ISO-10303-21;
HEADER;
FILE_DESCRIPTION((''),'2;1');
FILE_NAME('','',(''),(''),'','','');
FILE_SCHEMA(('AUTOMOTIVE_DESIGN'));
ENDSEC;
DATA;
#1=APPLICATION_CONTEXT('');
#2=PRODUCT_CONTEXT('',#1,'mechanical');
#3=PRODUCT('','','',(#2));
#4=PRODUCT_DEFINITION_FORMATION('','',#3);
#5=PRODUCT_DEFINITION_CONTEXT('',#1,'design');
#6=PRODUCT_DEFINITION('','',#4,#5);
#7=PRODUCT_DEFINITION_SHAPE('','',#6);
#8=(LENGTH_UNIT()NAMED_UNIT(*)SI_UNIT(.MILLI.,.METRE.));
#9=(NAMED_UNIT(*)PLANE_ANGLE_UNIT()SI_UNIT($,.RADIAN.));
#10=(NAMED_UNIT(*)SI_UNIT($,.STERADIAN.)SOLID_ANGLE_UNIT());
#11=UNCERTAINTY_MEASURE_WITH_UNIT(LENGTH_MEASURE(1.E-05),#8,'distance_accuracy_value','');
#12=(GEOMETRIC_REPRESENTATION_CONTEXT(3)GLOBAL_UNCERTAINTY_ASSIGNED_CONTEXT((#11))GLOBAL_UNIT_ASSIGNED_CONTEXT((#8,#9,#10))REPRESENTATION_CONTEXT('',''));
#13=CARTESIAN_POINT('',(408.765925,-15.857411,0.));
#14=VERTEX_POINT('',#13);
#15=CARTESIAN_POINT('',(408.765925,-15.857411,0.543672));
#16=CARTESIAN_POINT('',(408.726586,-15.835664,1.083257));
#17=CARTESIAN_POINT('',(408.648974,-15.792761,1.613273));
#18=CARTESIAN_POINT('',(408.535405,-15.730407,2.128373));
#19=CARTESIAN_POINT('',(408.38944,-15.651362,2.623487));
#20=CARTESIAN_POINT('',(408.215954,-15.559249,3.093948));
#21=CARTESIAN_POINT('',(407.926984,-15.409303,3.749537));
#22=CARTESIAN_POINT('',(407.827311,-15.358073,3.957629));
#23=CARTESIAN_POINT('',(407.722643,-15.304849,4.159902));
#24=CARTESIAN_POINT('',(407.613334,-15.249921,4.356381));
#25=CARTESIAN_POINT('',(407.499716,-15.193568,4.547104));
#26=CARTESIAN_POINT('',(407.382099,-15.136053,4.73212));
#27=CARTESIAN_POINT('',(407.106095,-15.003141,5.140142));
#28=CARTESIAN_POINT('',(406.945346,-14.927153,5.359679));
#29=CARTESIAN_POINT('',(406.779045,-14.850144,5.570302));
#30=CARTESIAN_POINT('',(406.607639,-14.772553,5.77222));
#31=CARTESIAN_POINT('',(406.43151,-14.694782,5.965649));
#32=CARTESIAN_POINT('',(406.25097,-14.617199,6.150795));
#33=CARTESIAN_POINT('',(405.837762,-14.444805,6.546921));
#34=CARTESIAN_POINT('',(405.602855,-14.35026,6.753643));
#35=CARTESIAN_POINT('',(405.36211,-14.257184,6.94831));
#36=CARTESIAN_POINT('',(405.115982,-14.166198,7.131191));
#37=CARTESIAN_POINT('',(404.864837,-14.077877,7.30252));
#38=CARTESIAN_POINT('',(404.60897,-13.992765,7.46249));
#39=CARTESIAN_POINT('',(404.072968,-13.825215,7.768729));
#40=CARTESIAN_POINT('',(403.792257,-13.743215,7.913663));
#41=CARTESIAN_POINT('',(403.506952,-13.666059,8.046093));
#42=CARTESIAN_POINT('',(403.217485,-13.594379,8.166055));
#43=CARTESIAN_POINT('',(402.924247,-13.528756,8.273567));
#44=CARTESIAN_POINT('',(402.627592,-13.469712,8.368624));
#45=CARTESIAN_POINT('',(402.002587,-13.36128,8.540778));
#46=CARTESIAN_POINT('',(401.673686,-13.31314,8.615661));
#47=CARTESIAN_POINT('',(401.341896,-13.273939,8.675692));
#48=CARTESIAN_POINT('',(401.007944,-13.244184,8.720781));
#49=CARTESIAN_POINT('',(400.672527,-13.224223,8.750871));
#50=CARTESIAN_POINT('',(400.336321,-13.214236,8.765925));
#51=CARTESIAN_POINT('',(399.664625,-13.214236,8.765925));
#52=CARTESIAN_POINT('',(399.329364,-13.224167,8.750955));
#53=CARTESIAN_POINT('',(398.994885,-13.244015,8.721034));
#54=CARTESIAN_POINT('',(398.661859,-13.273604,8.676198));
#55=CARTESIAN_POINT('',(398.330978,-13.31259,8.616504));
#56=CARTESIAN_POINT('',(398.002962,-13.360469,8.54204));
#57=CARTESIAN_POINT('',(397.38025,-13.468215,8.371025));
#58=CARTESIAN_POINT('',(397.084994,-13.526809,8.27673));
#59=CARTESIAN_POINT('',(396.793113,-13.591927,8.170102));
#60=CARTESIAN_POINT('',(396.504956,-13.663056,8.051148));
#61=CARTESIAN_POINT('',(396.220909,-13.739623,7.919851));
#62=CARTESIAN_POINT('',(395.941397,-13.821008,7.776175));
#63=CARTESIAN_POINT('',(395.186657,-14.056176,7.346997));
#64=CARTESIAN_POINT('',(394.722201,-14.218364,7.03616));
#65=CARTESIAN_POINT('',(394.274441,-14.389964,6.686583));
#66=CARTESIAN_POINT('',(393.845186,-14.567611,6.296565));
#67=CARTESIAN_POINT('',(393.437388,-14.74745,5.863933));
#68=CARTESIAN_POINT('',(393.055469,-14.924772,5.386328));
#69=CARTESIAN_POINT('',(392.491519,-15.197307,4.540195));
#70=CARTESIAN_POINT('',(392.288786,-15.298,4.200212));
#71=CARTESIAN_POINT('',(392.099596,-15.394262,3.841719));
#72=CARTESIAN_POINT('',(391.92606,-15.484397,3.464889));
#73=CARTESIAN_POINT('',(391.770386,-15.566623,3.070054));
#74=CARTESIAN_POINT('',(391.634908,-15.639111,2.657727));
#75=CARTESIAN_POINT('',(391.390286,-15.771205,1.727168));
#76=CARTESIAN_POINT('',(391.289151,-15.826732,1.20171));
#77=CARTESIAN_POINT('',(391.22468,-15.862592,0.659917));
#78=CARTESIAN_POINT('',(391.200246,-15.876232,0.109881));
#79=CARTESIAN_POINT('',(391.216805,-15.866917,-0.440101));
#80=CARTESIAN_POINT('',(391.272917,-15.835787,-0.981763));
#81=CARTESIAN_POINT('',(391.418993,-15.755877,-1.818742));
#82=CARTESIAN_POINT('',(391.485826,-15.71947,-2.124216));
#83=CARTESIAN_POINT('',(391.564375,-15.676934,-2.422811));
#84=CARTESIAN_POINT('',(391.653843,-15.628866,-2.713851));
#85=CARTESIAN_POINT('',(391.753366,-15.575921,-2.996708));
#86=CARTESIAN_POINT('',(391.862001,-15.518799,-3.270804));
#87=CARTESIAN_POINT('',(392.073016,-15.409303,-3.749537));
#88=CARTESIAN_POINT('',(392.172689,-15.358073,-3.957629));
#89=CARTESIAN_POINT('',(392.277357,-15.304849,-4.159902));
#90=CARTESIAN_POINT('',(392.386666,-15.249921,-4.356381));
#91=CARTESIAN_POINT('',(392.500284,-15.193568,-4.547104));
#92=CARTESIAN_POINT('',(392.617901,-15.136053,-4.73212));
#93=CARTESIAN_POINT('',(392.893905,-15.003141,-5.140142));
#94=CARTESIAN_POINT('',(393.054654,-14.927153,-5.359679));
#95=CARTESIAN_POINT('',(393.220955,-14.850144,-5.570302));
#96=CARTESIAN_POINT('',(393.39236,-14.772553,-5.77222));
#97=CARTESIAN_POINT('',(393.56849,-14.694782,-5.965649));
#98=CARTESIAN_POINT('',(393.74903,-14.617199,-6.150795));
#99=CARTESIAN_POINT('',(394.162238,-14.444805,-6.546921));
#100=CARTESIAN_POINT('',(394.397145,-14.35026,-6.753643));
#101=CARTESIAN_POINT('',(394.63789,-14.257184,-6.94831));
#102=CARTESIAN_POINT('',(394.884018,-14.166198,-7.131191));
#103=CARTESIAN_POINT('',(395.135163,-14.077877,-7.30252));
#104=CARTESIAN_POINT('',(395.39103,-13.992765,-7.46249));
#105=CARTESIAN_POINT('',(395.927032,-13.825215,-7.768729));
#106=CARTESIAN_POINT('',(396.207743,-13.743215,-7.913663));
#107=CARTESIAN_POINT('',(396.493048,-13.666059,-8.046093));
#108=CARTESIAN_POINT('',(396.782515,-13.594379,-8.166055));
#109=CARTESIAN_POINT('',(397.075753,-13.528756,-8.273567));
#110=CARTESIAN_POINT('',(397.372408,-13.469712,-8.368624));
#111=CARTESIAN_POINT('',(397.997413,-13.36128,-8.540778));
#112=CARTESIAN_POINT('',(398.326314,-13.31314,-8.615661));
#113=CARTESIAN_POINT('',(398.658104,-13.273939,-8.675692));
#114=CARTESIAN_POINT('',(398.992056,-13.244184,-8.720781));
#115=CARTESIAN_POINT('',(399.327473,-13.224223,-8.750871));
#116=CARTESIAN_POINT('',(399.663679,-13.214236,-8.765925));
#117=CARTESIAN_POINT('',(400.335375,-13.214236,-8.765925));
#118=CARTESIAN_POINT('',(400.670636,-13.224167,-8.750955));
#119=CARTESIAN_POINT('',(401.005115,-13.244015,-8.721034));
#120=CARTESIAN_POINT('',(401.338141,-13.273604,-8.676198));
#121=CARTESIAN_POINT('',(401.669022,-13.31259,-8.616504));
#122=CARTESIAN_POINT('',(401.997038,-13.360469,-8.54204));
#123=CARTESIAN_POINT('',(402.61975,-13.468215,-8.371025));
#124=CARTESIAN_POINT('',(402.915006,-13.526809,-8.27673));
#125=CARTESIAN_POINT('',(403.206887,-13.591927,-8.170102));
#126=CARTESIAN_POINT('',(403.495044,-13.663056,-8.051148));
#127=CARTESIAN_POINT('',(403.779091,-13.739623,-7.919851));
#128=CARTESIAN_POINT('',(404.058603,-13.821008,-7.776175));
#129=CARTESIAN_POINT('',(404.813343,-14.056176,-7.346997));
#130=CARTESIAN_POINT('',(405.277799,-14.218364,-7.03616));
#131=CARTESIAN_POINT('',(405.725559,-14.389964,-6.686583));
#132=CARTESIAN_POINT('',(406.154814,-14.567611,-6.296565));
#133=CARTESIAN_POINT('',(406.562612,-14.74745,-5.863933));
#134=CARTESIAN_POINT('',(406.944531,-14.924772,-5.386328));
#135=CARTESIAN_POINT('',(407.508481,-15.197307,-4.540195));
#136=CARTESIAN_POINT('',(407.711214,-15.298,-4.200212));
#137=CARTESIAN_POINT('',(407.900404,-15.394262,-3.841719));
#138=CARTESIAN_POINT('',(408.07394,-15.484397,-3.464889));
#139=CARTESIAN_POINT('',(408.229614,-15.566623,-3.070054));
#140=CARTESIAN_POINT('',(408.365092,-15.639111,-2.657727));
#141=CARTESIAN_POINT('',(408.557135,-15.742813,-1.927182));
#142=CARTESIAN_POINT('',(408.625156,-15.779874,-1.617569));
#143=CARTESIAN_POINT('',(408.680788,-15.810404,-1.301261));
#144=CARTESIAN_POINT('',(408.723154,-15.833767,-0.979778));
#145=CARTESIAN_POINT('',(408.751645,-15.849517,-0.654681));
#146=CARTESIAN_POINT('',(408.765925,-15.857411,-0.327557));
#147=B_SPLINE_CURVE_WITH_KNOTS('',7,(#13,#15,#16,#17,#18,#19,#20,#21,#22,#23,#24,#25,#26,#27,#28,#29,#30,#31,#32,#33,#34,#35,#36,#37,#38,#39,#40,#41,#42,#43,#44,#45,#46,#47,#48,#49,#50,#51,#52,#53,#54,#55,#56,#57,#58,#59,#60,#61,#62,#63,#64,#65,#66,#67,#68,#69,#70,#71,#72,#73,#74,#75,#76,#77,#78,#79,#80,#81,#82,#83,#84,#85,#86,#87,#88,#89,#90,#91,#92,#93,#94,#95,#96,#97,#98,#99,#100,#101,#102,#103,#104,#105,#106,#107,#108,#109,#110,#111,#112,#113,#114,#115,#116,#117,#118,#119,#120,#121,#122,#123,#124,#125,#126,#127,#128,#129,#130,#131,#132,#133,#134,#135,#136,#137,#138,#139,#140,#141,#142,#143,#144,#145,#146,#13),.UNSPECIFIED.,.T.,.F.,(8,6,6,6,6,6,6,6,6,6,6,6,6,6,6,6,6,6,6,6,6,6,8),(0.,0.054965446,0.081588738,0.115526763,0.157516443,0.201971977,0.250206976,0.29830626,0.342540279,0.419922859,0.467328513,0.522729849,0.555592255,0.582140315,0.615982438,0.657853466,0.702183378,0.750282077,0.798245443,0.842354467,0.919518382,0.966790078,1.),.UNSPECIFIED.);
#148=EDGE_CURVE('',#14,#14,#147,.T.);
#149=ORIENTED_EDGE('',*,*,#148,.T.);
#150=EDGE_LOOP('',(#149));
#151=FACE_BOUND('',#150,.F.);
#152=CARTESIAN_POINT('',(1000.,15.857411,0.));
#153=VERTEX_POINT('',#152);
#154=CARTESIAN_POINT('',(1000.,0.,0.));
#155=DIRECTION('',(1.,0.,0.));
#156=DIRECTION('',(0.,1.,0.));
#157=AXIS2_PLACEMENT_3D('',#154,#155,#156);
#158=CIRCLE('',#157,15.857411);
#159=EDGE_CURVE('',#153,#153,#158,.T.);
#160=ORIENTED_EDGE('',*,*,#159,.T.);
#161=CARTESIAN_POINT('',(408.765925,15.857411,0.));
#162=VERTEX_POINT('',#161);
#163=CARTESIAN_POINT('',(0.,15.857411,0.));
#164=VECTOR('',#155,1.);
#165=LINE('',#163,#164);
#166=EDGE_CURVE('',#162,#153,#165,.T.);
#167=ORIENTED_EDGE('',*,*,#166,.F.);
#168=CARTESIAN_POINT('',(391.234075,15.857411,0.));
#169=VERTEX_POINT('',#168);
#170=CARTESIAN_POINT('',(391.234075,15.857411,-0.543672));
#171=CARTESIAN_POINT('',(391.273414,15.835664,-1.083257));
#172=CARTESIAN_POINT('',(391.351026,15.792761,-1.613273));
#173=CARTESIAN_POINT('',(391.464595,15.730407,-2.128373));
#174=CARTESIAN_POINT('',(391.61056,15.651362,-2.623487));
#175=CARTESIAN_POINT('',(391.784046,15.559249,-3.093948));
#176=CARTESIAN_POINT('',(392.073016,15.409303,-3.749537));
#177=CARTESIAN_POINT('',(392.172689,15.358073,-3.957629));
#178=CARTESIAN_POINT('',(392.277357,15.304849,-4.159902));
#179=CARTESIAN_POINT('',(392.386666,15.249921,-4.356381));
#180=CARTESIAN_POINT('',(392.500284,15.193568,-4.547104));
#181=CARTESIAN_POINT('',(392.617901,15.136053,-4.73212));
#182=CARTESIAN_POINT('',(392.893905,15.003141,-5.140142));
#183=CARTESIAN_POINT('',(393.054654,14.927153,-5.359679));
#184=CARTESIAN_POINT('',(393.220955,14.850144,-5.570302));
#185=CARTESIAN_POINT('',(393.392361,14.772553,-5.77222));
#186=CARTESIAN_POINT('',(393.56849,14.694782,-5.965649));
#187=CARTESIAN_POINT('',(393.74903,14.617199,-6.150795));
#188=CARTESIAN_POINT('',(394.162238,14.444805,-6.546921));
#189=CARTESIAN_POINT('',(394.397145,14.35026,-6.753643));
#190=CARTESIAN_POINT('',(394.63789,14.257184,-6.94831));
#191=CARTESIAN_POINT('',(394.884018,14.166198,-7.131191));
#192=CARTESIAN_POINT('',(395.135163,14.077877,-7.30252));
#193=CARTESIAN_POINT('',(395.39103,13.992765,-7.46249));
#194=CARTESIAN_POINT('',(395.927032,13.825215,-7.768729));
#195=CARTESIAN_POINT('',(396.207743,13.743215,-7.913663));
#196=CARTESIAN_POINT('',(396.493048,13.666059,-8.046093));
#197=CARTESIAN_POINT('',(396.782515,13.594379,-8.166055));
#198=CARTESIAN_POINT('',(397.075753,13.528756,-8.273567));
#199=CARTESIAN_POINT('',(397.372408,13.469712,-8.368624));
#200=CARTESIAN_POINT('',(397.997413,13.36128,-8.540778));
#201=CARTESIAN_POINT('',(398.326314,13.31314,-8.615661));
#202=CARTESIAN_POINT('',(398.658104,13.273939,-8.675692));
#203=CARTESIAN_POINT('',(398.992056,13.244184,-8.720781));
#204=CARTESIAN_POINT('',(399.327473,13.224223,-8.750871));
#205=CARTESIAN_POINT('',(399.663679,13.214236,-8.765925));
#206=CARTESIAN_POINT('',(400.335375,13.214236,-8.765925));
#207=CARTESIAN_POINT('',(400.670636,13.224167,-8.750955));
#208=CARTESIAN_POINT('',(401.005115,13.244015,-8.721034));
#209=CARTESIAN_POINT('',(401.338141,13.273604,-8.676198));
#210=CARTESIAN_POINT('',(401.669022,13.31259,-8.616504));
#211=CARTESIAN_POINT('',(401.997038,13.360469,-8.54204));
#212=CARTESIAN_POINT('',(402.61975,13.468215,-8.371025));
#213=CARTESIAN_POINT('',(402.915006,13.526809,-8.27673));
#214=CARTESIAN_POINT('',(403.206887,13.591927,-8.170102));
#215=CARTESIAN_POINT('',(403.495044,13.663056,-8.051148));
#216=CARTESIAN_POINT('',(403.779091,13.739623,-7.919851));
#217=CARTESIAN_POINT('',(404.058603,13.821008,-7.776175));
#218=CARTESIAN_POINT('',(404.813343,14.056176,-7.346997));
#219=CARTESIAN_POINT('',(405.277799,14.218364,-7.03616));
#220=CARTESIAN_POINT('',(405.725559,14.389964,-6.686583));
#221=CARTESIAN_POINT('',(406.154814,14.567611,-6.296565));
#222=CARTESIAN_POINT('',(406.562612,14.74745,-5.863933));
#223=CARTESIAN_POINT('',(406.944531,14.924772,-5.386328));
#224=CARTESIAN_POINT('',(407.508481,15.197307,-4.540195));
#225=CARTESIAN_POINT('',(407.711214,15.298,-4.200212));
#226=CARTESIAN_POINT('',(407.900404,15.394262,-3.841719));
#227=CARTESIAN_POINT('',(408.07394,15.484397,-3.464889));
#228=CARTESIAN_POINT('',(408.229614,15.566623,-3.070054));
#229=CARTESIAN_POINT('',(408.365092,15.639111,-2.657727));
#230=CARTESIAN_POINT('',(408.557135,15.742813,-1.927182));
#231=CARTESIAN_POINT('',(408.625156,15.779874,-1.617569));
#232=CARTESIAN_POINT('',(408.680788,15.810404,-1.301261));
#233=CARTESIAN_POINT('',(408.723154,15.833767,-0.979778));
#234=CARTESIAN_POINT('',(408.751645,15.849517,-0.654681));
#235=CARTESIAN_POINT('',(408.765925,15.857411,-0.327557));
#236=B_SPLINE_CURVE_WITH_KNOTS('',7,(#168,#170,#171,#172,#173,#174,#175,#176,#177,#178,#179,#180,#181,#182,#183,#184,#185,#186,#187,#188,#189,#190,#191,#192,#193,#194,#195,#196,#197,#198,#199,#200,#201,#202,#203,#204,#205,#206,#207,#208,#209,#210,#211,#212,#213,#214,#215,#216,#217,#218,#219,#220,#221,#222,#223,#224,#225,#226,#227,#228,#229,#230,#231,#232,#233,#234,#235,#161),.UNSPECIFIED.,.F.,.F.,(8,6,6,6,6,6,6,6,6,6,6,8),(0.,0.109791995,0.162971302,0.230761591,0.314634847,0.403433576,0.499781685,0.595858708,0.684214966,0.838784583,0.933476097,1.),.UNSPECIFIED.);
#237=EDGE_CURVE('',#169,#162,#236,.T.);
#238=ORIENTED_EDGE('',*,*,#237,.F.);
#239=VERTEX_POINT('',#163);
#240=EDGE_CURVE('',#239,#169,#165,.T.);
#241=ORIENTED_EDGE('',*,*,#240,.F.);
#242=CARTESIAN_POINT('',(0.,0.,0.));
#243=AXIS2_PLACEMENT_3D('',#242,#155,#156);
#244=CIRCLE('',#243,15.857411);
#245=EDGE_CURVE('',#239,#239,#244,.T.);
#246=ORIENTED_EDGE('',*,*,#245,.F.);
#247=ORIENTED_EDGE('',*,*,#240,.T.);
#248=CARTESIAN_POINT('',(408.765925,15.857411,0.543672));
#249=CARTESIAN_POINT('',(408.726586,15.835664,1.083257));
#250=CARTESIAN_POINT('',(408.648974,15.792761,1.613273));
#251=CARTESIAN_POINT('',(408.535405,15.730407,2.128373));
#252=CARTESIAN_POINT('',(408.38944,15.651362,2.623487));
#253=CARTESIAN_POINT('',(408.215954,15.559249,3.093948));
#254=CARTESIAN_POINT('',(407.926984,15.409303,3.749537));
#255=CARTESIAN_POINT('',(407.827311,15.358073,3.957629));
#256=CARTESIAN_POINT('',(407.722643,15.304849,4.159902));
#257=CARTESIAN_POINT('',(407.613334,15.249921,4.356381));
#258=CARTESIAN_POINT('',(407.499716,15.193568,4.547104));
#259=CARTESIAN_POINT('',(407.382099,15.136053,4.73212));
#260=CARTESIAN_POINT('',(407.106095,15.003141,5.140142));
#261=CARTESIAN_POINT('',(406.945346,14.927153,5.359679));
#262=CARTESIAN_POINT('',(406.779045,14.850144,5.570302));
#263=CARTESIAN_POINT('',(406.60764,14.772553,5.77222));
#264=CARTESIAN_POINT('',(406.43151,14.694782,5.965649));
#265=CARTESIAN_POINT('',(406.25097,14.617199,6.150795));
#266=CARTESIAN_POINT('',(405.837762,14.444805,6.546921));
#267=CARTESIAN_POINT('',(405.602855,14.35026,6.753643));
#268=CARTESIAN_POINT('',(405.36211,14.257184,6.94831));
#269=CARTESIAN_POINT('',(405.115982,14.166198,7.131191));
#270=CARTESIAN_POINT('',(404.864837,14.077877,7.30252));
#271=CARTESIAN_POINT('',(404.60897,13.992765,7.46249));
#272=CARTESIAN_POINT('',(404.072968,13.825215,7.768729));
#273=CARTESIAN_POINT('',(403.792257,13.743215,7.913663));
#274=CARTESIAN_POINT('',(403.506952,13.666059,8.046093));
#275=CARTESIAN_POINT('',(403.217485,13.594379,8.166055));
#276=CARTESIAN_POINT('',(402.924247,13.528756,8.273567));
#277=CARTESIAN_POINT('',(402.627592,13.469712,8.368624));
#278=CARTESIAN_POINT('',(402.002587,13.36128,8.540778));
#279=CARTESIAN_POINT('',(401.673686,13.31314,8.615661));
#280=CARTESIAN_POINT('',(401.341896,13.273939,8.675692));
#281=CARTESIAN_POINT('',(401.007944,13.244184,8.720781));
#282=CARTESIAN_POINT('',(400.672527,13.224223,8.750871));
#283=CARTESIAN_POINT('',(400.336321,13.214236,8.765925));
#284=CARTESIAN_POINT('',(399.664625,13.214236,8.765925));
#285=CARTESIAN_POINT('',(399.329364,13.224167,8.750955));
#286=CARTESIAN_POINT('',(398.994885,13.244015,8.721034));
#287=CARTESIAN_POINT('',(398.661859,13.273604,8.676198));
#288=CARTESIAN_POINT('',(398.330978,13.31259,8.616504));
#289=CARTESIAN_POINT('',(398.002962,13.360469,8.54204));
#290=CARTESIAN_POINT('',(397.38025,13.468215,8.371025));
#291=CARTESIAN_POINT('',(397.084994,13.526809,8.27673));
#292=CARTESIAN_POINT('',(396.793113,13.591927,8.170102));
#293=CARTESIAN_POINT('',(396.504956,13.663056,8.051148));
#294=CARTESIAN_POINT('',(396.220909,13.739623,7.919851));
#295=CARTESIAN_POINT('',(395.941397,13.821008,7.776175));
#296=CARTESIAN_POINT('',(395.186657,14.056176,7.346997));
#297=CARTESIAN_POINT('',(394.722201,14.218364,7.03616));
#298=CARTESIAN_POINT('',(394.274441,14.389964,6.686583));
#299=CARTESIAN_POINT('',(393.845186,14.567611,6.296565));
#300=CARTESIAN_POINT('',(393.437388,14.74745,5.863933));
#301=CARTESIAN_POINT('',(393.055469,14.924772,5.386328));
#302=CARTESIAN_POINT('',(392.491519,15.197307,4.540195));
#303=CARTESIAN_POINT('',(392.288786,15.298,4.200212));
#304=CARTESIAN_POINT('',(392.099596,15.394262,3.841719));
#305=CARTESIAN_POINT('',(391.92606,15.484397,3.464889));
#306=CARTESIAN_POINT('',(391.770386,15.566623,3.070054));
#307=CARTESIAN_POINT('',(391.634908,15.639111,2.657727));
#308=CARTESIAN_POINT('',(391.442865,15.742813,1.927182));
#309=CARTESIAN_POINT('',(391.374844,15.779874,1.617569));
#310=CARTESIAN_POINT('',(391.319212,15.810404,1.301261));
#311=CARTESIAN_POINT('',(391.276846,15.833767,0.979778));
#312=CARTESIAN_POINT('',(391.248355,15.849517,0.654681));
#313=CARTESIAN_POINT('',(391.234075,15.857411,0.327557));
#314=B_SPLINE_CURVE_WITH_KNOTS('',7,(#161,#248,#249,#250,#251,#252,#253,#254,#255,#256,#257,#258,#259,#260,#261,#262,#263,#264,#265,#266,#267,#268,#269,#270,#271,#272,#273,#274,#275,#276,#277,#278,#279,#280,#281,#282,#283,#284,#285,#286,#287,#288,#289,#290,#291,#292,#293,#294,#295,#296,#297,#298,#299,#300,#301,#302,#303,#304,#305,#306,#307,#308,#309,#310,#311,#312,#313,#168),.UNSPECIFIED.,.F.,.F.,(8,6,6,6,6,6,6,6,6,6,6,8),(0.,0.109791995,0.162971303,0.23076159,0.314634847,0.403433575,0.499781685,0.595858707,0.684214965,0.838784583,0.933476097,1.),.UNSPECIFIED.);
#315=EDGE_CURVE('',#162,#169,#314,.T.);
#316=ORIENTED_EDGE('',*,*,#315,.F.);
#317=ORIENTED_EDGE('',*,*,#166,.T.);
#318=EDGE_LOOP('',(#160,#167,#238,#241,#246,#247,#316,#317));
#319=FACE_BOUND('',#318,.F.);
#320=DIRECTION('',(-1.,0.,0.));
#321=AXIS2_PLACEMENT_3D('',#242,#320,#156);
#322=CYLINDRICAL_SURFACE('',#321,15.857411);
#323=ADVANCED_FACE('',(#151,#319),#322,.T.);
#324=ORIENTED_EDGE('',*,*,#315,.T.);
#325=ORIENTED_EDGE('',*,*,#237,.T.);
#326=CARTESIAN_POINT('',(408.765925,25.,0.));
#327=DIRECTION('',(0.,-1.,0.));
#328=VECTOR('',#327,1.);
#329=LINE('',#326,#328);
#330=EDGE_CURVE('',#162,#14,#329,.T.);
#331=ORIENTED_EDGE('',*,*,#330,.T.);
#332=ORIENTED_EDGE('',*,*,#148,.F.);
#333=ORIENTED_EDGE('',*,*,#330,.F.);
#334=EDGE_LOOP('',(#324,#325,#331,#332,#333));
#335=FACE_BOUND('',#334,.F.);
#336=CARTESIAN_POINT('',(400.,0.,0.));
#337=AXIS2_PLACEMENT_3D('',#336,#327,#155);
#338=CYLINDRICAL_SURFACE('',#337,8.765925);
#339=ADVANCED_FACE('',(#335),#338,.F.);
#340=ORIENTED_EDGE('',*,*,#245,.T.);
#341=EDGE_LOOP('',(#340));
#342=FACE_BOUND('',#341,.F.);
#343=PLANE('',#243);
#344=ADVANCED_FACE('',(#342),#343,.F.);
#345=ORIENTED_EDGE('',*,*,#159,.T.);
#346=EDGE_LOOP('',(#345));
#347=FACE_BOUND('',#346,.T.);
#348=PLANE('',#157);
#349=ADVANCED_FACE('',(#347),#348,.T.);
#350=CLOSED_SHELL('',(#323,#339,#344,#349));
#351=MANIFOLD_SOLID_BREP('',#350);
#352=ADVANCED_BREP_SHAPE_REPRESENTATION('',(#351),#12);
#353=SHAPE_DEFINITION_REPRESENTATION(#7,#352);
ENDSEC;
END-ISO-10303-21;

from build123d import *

# Parameters (mm, degrees)
F0_R     = 15.857411
F1_DEPTH = 1000
F2_R     = 8.765925
F3_DEPTH = 25


with BuildPart() as f1:
    # F0 (on Right) → F1 (new body)
    with BuildSketch(Plane.YZ):
        Circle(F0_R)
    extrude(amount=F1_DEPTH)

    # F2 (on Front) → F3 (cut, symmetric)
    with BuildSketch(Plane.XZ):
        with Locations((400, 0)):
            Circle(F2_R)
    extrude(amount=F3_DEPTH, both=True, mode=Mode.SUBTRACT)


solid = f1.part
